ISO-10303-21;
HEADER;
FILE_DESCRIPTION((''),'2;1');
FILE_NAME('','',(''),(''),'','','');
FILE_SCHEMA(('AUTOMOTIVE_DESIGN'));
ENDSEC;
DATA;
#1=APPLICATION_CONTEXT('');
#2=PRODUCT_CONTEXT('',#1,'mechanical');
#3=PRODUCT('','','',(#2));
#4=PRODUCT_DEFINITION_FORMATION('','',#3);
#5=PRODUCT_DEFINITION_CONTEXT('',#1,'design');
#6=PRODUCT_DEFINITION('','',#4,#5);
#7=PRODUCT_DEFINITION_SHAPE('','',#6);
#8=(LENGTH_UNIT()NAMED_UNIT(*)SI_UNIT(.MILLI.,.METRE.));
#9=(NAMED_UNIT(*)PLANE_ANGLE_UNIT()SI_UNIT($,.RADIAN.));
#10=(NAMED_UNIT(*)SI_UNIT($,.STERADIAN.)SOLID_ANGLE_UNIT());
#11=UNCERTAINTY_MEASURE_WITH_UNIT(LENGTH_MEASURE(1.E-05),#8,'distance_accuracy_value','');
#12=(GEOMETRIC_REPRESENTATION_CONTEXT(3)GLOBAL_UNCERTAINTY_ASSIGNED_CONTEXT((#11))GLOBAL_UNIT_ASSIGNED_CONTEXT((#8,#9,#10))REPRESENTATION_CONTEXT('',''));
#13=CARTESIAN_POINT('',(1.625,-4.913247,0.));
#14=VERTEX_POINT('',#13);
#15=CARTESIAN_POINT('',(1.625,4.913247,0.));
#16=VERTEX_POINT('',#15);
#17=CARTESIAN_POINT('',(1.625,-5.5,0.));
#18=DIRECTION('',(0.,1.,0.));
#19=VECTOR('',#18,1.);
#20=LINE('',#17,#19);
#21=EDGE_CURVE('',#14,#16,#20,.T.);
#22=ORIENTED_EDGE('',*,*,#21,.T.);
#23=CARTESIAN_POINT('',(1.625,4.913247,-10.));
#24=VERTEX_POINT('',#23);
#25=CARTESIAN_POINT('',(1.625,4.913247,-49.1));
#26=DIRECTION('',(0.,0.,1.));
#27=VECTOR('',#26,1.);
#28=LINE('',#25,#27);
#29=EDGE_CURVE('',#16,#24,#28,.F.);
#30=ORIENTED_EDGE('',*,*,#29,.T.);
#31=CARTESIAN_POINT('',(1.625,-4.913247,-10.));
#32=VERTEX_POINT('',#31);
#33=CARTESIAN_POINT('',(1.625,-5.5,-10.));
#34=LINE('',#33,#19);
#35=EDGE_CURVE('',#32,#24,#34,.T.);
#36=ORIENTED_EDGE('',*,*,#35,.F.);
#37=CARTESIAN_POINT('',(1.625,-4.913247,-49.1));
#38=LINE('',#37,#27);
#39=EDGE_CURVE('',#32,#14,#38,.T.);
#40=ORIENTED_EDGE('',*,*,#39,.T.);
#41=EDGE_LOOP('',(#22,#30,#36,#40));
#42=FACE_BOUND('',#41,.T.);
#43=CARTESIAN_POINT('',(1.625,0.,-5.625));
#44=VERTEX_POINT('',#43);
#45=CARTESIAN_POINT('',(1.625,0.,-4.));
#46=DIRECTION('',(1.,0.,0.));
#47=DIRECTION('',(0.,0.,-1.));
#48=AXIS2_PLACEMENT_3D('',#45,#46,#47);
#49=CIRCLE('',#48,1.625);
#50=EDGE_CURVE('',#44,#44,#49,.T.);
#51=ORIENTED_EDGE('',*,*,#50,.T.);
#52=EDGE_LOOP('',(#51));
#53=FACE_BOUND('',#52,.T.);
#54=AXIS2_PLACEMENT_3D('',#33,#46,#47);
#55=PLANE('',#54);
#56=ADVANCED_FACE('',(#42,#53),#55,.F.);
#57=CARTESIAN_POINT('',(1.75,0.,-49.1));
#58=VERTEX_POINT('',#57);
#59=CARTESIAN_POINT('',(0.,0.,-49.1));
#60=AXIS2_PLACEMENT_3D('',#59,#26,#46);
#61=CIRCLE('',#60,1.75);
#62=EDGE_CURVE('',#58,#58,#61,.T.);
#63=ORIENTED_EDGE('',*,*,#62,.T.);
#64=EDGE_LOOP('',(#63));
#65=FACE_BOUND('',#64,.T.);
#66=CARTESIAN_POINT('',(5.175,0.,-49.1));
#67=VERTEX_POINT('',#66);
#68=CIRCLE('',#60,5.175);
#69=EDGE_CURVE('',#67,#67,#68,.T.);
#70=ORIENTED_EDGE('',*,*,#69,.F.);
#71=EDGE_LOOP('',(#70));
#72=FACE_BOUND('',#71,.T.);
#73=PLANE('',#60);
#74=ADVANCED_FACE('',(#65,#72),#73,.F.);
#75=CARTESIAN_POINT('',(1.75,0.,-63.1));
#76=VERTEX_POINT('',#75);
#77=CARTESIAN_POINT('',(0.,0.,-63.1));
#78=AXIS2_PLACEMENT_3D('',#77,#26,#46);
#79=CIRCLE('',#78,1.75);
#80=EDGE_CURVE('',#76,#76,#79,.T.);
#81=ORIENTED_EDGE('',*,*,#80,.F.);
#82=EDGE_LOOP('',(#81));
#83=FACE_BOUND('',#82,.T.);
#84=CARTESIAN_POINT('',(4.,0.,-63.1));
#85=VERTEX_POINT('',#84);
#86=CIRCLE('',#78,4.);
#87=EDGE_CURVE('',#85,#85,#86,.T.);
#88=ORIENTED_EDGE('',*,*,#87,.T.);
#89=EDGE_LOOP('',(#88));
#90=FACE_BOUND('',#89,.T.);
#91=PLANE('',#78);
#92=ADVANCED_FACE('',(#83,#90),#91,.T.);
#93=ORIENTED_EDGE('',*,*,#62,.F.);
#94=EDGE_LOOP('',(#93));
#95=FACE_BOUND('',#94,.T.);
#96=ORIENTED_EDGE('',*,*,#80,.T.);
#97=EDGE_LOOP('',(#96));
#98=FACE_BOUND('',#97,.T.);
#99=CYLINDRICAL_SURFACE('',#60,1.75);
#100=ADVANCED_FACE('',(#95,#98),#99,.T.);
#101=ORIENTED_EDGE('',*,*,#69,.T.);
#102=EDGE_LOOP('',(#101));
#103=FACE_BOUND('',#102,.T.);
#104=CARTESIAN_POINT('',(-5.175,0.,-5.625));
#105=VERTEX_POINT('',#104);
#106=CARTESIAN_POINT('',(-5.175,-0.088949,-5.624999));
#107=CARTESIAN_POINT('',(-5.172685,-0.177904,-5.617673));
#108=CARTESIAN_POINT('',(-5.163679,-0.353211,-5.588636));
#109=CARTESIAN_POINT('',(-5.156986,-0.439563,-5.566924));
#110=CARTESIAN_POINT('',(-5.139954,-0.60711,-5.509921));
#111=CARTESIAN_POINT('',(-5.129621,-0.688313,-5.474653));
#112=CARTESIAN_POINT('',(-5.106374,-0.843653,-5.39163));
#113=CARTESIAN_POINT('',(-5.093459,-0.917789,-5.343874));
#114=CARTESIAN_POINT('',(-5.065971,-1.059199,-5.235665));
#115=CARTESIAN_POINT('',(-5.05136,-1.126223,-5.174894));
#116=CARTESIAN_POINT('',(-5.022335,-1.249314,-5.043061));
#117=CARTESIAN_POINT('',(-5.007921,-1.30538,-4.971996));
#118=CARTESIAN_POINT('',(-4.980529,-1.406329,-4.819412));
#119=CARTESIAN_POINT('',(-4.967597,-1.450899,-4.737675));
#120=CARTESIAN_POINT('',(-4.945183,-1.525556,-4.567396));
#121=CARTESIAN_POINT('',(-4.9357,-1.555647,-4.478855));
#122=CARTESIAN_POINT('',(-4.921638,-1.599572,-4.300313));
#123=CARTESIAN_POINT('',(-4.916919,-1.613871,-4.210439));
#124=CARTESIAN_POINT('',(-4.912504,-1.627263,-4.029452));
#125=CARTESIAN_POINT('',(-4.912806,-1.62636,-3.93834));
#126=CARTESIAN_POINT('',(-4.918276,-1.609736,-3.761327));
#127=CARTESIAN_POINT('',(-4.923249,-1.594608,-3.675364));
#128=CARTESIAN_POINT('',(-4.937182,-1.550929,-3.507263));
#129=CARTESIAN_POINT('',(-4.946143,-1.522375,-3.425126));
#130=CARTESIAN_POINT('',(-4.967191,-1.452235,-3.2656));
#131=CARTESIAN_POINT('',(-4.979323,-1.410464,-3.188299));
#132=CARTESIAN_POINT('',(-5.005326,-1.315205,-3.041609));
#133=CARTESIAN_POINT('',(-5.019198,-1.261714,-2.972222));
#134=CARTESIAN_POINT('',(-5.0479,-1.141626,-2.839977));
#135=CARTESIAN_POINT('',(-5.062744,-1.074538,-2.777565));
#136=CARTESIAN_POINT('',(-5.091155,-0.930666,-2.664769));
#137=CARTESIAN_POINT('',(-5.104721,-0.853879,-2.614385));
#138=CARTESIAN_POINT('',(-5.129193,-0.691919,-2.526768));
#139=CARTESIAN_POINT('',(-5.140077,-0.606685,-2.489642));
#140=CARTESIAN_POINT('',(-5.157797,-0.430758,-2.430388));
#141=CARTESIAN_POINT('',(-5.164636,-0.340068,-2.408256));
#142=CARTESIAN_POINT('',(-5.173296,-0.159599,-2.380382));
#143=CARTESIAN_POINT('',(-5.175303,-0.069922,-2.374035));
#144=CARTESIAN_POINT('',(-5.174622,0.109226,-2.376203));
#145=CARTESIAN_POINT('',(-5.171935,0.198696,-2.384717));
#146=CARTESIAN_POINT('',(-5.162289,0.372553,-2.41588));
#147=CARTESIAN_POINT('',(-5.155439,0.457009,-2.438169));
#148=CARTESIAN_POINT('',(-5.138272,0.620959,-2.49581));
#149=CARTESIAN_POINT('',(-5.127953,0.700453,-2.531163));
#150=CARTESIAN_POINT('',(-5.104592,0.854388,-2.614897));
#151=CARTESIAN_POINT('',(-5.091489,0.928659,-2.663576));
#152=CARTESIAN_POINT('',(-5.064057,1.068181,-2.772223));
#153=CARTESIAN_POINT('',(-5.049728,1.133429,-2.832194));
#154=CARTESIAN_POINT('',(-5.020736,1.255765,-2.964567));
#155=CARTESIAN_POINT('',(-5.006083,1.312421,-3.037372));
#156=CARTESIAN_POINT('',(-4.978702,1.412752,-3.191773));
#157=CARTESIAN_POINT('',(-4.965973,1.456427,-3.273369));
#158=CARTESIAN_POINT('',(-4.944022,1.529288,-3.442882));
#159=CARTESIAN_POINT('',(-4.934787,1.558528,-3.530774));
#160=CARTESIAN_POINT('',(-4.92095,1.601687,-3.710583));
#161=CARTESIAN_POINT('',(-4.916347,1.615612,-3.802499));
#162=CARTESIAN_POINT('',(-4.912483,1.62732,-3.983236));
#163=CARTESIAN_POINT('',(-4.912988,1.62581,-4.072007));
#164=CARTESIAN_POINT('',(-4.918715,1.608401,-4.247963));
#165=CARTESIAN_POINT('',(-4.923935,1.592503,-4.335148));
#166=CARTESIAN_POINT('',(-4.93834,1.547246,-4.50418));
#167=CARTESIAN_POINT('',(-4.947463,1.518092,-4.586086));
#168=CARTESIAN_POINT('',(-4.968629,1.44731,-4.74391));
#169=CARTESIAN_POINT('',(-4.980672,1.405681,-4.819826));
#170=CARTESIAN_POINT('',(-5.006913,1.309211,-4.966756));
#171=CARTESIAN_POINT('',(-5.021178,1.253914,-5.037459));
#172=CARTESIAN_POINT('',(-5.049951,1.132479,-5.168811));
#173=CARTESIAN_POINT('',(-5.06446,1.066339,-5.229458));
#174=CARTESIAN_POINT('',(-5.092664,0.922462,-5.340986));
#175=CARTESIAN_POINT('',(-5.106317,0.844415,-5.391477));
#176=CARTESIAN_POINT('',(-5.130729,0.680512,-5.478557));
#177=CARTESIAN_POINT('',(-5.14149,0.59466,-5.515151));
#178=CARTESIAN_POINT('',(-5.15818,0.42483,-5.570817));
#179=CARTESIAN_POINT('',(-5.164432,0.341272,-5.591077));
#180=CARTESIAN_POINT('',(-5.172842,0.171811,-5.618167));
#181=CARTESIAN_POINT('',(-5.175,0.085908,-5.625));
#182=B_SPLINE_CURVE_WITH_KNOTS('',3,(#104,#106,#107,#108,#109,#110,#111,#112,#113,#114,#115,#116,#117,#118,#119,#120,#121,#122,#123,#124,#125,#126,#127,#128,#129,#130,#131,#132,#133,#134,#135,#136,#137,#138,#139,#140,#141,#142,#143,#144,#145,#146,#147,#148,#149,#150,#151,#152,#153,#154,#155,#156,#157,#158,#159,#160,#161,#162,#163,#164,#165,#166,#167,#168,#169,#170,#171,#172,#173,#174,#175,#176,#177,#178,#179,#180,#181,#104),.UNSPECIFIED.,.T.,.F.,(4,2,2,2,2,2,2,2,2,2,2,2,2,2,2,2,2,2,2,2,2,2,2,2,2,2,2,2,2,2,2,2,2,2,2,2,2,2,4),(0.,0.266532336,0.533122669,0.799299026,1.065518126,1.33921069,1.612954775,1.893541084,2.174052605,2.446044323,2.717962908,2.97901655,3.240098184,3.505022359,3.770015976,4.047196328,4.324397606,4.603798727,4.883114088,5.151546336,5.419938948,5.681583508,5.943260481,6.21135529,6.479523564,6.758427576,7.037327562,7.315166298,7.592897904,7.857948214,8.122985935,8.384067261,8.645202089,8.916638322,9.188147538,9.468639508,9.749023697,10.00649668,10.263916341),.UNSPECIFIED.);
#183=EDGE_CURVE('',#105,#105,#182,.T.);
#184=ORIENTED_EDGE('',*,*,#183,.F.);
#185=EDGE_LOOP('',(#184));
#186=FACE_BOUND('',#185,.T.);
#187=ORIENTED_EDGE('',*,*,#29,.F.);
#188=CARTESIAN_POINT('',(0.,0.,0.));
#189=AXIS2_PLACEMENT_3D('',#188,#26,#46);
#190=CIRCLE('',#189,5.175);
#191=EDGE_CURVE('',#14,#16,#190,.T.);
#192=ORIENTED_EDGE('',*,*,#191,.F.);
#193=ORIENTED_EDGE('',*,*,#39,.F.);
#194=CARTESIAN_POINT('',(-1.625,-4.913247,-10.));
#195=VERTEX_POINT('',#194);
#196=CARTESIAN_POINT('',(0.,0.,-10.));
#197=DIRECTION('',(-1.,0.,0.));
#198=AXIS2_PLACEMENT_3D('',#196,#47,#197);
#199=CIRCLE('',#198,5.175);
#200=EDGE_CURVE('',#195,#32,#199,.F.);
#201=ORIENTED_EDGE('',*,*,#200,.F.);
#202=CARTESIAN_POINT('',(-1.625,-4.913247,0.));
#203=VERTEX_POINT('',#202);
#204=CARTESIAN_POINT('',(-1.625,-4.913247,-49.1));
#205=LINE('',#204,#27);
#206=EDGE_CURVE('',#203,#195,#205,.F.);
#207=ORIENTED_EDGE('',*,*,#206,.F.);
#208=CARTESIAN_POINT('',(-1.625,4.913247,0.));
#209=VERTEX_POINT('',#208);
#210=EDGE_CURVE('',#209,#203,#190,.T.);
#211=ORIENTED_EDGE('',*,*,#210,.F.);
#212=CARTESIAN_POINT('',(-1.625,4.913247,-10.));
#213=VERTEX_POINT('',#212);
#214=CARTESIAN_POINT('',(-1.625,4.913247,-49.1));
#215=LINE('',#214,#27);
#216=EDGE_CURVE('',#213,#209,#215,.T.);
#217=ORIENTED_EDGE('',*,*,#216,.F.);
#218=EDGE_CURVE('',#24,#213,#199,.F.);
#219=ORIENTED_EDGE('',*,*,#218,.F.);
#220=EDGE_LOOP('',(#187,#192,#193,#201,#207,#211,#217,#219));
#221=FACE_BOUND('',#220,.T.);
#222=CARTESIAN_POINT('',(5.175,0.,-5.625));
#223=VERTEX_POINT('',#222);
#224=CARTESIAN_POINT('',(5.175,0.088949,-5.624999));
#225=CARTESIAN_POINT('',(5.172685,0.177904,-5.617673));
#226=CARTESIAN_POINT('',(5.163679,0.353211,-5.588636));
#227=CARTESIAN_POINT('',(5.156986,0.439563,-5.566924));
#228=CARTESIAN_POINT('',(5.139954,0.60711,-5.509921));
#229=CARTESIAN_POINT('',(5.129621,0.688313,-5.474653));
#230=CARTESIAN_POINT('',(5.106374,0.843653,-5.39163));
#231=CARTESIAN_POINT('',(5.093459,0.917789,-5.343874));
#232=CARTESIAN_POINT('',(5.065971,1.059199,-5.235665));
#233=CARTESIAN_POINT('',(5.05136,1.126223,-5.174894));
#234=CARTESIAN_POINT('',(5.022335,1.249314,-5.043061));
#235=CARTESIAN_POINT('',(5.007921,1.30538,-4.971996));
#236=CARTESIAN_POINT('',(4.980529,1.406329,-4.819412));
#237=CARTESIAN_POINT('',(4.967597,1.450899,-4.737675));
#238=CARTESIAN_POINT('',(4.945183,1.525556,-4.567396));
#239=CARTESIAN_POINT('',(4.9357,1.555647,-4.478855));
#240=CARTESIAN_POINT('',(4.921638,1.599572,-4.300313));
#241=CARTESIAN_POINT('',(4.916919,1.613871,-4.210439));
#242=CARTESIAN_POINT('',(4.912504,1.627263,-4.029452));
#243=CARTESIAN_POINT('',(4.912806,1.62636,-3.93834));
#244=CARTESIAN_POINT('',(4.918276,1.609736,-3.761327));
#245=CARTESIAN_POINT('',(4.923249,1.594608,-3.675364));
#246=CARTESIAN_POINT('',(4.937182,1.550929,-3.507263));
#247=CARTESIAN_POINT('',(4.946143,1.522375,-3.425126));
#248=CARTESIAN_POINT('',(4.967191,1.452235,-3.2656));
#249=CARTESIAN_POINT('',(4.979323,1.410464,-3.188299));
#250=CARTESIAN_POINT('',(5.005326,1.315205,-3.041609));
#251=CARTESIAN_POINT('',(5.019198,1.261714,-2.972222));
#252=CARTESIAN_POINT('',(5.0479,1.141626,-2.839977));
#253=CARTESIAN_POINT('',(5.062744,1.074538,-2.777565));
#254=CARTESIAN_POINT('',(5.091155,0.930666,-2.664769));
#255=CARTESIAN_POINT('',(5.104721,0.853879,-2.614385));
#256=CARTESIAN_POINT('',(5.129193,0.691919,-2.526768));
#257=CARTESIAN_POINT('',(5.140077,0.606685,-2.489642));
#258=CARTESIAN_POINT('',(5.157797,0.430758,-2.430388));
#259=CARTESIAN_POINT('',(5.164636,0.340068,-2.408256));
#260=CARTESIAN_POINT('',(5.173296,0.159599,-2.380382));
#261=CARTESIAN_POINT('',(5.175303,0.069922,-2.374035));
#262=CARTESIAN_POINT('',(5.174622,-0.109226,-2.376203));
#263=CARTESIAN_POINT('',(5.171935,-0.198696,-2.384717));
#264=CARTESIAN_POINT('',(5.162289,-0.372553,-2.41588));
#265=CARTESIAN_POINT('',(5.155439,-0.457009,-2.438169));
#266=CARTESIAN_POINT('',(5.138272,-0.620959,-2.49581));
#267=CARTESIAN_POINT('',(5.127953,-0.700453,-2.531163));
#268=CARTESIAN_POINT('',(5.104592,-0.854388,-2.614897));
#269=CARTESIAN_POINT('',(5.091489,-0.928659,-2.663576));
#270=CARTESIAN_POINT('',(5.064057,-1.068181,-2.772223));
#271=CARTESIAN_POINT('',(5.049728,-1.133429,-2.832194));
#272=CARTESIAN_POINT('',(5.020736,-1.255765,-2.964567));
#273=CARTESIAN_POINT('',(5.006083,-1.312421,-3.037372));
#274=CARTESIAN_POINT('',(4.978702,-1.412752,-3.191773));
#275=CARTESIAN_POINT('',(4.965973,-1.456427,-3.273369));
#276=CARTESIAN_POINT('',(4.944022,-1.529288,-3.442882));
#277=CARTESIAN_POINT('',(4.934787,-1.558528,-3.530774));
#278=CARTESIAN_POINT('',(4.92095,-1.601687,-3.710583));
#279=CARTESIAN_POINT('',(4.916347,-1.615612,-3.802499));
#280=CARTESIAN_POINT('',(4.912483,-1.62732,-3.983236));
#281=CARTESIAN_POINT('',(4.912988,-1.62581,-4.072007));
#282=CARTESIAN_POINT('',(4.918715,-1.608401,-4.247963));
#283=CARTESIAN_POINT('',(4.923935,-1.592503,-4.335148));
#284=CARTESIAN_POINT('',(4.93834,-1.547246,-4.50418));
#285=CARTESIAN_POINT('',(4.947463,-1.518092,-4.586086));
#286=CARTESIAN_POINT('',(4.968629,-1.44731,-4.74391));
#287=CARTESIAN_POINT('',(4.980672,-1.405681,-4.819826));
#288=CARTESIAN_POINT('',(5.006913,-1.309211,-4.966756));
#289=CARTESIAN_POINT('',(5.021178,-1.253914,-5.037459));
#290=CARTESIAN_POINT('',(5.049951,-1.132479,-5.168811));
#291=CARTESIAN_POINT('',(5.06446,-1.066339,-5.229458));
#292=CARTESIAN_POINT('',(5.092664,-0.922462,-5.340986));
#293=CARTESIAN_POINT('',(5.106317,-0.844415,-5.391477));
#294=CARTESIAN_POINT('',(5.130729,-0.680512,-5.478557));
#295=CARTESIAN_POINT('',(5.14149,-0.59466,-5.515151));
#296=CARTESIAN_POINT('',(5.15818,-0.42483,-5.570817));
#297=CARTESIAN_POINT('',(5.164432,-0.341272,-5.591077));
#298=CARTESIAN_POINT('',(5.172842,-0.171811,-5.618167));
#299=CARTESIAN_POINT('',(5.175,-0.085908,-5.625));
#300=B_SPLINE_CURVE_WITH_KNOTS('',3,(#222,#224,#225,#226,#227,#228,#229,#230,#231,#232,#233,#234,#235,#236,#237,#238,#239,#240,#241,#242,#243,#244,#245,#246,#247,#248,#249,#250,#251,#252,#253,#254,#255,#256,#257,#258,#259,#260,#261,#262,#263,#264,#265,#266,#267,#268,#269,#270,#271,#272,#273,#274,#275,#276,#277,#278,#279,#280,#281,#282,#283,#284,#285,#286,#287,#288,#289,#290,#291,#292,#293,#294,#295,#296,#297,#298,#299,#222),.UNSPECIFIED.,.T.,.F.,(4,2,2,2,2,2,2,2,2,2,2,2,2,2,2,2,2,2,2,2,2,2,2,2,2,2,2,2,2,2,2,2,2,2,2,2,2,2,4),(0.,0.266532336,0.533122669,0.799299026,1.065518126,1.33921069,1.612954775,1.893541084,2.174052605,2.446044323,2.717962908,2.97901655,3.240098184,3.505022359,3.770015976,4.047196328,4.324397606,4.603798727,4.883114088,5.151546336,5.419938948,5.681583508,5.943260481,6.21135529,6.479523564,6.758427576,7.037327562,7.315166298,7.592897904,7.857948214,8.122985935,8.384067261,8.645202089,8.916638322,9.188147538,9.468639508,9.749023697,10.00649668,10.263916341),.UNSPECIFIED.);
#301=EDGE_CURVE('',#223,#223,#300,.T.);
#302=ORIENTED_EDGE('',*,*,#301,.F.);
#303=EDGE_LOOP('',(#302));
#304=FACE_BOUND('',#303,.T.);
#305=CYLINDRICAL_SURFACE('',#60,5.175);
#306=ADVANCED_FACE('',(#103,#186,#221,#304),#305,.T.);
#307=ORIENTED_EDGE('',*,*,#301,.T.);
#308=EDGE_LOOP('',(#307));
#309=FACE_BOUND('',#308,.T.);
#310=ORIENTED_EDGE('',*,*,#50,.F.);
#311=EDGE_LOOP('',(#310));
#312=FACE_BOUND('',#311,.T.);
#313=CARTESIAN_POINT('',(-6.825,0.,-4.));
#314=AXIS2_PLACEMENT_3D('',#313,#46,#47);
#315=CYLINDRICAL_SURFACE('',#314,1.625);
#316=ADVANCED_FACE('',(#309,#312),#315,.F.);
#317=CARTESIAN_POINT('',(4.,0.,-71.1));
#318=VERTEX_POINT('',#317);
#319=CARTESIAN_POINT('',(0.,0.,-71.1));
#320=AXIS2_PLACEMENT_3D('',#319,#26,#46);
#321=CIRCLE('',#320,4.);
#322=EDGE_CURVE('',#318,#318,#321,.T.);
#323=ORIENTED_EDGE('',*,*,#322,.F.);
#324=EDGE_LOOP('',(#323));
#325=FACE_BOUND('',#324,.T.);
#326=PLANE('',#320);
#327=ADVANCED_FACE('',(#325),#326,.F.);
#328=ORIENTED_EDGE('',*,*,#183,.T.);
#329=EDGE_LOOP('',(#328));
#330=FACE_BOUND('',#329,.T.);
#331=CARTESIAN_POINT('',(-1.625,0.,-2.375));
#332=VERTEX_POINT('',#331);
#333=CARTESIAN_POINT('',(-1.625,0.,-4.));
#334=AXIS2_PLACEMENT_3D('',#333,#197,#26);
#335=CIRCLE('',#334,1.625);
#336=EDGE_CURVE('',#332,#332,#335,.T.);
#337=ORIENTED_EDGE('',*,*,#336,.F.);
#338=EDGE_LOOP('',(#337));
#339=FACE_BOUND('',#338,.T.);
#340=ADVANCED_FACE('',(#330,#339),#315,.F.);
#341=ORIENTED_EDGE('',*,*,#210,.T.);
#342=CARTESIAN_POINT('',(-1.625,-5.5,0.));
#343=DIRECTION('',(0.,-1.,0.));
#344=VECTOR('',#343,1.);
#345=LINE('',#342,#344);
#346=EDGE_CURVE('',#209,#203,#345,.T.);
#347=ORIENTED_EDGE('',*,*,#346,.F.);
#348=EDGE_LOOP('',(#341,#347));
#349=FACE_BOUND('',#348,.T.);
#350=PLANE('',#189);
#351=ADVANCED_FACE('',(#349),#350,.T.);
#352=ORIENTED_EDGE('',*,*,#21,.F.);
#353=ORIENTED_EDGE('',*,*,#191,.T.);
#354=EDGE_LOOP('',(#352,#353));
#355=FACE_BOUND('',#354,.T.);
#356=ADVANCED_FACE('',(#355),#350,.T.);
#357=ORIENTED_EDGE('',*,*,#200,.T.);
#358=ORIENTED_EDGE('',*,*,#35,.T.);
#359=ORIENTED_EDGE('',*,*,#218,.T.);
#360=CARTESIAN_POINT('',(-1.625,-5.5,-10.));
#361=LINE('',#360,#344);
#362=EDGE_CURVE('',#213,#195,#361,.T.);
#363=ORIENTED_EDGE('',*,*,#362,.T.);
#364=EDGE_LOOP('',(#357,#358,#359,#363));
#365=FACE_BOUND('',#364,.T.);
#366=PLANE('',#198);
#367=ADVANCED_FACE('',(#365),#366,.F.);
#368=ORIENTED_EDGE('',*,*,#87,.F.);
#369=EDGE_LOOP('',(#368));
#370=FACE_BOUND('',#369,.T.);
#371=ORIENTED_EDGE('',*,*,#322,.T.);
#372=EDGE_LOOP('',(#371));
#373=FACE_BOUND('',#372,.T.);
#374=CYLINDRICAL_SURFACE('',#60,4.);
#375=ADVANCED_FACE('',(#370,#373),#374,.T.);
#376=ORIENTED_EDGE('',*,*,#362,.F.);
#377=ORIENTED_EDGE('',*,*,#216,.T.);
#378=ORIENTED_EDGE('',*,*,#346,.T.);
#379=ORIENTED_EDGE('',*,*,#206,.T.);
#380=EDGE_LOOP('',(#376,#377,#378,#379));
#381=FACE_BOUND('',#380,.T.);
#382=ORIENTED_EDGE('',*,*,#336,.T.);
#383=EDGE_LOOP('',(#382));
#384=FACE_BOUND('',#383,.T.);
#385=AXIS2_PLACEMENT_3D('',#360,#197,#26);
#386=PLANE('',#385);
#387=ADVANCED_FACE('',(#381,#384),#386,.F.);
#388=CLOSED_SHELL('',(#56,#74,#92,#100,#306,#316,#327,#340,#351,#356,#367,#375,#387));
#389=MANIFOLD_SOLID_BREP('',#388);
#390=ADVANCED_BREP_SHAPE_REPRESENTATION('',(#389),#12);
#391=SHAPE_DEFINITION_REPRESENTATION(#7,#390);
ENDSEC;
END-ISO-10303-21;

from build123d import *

# Parameters (mm, degrees)
SKETCH1_W          = 14
SKETCH1_H          = 1.75
SKETCH4_W          = 3.25
SKETCH4_H          = 11
CUT_EXTRUDE1_DEPTH = 10
SKETCH5_R          = 1.625
CUT_EXTRUDE2_DEPTH = 12


with BuildPart() as part:
    # Sketch1 → Revolve1 (revolve)
    with BuildSketch(Plane(origin=(0, 0, 0), x_dir=(0, 0, -1), z_dir=(1, 0, 0))):
        Polygon((0, 5.175), (0, 0), (49.1, 0), (49.1, 1.75), (49.1, 5.175), align=None)
        with Locations((56.1, 0.875)):
            Rectangle(SKETCH1_W, SKETCH1_H)
        Polygon((63.1, 1.75), (63.1, 0), (71.1, 0), (71.1, 4), (63.1, 4), align=None)
    revolve(axis=Axis((0, 0, -49.1), (0, 0, -1)))

    # Sketch4 → Cut-Extrude1 (cut)
    with BuildSketch(Plane.XY):
        Rectangle(SKETCH4_W, SKETCH4_H)
    extrude(amount=-CUT_EXTRUDE1_DEPTH, mode=Mode.SUBTRACT)

    # Sketch5 → Cut-Extrude2 (cut)
    with BuildSketch(Plane(origin=(5.175, 0, 0), x_dir=(0, 0, -1), z_dir=(1, 0, 0))):
        with Locations((4, 0)):
            Circle(SKETCH5_R)
    extrude(amount=-CUT_EXTRUDE2_DEPTH, mode=Mode.SUBTRACT)


solid = part.part
